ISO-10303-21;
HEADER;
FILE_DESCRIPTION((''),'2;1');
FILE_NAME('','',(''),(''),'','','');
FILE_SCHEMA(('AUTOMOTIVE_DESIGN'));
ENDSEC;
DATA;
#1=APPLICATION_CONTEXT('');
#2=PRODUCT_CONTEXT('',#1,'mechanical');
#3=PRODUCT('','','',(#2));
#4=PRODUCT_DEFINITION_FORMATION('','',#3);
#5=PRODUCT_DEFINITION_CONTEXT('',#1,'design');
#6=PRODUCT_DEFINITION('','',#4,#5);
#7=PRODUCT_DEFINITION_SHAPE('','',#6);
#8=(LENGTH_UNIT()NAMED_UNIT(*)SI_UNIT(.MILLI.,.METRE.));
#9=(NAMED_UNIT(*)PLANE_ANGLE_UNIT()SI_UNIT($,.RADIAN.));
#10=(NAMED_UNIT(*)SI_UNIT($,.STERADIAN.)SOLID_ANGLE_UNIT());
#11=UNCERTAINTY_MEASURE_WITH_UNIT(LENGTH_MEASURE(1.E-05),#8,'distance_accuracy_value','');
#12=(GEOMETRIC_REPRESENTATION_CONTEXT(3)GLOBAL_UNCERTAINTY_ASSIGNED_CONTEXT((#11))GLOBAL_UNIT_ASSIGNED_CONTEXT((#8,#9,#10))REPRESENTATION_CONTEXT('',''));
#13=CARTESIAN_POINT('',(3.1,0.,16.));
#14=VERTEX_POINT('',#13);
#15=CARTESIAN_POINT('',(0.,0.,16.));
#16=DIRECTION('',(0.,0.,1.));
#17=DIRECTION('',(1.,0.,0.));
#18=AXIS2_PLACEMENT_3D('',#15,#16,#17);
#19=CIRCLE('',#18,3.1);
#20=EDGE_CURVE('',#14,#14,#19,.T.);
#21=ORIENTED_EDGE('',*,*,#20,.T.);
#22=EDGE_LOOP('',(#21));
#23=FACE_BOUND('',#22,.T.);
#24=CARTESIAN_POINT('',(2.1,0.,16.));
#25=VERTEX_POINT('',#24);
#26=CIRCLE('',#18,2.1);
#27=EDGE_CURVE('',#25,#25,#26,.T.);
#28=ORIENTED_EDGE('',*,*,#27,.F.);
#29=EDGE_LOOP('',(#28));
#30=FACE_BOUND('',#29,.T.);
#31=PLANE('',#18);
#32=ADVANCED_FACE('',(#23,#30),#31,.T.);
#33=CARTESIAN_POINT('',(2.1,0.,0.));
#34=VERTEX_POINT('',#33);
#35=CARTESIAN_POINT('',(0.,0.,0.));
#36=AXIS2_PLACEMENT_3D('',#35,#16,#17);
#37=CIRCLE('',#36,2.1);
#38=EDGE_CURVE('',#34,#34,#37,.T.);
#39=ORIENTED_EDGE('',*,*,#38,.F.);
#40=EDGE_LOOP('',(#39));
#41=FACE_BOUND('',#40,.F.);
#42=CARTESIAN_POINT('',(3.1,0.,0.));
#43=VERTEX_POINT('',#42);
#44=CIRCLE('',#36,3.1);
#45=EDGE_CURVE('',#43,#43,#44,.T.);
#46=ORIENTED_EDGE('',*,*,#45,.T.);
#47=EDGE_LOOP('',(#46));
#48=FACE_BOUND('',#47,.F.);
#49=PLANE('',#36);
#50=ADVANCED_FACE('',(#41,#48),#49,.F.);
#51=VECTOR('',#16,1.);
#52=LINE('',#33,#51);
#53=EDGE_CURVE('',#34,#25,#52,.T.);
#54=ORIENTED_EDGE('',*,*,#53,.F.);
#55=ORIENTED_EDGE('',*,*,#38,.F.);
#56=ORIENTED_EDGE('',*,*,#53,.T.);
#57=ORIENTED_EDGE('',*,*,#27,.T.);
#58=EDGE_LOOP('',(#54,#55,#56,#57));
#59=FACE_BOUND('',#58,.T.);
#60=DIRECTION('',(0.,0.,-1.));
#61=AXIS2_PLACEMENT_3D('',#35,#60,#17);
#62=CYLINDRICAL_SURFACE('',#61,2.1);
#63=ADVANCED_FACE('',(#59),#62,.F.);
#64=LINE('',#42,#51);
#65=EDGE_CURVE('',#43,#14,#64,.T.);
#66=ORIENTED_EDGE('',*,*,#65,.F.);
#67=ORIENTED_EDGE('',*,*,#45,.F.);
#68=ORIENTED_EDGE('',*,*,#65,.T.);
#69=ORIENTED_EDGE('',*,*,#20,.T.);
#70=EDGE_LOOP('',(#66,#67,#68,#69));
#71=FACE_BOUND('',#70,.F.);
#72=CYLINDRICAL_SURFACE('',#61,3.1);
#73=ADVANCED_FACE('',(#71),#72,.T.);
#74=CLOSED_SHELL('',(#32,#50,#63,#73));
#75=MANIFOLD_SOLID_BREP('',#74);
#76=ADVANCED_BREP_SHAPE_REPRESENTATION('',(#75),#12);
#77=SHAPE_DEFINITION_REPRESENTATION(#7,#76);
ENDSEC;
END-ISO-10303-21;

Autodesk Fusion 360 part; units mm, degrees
sketch "Sketch1" plane through (0, 0, 0) normal (0, 0, 1) x (1, 0, 0)
  circle A0 centre (0, 0) radius 2.1
  circle A1 centre (0, 0) radius 3.1
  line L0 (2.1, 0) -> (3.1, 0) construction
  dimension "d19" = 4.2
  dimension "d20" = 1
extrude "Extrude3" add sketch "Sketch1" along normal blind 16
